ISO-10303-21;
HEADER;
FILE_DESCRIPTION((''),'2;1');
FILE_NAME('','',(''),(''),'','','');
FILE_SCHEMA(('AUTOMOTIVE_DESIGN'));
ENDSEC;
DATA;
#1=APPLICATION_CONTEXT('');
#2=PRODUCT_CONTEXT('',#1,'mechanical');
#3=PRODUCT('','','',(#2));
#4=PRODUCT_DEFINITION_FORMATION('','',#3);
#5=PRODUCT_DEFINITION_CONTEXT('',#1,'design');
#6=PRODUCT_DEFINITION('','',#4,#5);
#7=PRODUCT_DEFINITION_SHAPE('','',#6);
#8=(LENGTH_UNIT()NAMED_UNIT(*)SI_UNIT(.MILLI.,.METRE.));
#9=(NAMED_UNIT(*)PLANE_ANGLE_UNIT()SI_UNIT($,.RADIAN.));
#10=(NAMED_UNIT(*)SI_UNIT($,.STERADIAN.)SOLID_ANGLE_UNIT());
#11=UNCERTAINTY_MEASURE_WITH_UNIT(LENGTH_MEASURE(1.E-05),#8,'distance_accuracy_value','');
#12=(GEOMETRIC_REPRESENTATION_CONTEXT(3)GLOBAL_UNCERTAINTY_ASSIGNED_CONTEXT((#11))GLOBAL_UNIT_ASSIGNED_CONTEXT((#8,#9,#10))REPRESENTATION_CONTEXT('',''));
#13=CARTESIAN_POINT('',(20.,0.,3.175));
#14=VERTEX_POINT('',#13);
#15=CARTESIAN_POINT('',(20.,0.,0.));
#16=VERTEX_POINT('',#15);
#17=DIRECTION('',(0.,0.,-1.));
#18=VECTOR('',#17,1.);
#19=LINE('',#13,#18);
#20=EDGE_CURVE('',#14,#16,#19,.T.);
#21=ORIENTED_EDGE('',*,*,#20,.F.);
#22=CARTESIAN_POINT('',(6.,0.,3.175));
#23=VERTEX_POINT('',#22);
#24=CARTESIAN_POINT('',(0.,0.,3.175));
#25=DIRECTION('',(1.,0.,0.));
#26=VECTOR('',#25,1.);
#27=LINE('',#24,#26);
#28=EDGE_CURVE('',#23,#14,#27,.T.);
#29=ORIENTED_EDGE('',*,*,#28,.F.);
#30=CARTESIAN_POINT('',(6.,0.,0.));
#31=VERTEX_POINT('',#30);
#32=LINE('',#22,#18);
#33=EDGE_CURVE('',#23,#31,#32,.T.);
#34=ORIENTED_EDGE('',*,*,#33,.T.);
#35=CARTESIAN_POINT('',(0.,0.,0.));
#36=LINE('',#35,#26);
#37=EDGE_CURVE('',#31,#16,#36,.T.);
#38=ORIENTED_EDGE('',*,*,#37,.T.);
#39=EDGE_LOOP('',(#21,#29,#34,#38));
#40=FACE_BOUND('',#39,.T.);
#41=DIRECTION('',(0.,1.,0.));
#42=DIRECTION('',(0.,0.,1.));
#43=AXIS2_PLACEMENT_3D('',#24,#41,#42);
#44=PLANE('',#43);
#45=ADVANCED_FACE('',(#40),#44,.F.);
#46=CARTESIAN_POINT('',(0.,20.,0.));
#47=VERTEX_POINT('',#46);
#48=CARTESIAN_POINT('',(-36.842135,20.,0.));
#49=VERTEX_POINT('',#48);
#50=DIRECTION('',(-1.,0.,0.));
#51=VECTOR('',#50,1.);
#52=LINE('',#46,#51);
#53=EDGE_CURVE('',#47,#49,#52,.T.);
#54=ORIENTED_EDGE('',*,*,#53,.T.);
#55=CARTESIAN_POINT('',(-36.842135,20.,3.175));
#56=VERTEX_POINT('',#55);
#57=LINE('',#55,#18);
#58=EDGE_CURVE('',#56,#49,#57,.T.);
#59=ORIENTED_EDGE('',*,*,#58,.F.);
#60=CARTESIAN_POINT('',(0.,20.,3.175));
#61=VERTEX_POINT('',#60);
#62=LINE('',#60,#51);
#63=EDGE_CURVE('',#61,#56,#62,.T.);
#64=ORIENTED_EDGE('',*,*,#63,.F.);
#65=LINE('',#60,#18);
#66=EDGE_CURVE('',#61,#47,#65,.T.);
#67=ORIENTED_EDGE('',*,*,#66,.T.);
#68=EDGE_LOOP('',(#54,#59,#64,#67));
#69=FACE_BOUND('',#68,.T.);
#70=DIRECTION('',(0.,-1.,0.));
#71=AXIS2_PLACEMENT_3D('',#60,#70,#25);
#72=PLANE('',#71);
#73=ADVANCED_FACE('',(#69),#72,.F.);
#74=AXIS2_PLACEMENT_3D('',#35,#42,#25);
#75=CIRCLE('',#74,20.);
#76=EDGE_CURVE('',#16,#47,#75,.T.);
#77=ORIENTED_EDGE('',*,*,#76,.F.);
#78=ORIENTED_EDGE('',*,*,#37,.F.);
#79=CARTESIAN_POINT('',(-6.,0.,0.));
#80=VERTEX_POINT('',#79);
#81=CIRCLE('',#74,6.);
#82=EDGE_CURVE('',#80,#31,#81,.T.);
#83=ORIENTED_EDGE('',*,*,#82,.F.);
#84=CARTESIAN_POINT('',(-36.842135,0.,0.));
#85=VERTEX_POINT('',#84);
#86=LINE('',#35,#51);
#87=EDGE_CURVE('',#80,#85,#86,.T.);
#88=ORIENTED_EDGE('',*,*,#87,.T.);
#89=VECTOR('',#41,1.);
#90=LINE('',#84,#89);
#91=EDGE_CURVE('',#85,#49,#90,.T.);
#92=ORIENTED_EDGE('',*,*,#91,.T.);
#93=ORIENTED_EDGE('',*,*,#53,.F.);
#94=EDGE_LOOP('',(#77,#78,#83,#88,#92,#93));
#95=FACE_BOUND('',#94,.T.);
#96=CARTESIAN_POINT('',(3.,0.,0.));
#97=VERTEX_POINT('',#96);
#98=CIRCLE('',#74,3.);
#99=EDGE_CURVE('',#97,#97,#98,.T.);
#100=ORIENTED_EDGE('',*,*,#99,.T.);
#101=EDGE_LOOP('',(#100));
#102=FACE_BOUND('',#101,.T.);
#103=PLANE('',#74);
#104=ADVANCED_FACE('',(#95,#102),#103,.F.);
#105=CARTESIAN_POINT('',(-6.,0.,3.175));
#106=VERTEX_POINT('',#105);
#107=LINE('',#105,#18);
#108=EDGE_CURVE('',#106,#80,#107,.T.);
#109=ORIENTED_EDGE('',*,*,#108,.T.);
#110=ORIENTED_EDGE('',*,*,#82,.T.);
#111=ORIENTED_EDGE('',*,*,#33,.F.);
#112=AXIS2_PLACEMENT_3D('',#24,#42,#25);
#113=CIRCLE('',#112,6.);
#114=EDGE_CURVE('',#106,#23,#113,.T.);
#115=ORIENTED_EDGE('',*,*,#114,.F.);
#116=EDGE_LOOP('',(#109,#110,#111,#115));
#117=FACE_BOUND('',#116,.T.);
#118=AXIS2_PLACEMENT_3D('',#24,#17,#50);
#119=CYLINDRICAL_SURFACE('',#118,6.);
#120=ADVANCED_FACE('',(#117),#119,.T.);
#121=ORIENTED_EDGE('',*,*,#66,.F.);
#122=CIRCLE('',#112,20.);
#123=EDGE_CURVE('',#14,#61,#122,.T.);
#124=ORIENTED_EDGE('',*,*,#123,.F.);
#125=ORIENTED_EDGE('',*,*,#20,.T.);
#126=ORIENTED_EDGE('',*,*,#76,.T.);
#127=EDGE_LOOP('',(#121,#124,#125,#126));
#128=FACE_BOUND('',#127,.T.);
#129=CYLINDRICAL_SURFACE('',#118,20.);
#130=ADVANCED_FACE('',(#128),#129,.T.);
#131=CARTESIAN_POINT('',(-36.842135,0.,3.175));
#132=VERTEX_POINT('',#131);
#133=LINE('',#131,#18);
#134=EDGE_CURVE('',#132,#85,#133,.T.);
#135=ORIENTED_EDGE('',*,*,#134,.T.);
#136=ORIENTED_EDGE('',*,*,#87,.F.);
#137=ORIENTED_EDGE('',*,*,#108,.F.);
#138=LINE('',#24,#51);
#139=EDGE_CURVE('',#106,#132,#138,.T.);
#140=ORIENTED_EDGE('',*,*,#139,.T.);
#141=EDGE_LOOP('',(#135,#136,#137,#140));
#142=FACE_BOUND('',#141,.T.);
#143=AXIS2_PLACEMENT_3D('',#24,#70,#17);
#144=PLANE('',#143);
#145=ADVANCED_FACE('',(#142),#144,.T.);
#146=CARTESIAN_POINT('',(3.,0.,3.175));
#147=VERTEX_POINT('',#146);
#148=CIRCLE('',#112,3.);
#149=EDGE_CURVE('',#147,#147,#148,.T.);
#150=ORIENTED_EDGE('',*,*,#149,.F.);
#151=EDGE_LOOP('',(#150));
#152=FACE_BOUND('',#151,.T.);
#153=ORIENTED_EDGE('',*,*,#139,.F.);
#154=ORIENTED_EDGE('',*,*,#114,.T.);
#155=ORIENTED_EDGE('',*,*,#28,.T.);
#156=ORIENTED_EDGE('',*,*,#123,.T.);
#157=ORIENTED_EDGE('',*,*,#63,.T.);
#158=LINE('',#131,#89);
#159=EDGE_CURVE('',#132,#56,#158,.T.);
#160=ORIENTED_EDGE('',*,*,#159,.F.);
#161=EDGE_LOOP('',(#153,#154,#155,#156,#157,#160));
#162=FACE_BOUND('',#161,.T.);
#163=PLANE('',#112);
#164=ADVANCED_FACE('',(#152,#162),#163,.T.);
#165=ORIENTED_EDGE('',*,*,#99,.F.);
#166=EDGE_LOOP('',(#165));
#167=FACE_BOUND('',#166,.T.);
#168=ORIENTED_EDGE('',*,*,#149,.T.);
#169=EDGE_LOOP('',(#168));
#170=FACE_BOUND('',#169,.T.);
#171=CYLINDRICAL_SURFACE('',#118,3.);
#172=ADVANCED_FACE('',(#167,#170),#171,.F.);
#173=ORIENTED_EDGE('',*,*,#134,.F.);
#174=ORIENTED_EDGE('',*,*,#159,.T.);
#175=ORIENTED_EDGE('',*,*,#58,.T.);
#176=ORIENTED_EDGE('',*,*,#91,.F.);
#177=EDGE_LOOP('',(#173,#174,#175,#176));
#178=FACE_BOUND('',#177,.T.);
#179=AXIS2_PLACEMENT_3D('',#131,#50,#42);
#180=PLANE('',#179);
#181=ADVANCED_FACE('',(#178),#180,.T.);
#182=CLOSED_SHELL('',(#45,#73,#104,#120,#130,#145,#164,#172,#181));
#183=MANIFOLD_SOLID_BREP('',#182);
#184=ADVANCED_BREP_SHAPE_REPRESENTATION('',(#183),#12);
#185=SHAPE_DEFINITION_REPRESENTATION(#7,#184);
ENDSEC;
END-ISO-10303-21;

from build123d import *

# Parameters (mm, degrees)
SKETCH1_R           = 3
BOSS_EXTRUDE1_DEPTH = 3.175


with BuildPart() as part:
    # Sketch1 → Boss-Extrude1 (new body)
    with BuildSketch(Plane.XY):
        with BuildLine():
            ThreePointArc((-6, 0), (0, -6), (6, 0))
            Line((6, 0), (20, 0))
            ThreePointArc((20, 0), (14.142135624, 14.142135624), (0, 20))
            Line((0, 20), (-36.84213525, 20))
            Line((-36.84213525, 20), (-36.84213525, 0))
            Line((-36.84213525, 0), (-6, 0))
        make_face()
        Circle(SKETCH1_R, mode=Mode.SUBTRACT)
    extrude(amount=BOSS_EXTRUDE1_DEPTH)


solid = part.part
